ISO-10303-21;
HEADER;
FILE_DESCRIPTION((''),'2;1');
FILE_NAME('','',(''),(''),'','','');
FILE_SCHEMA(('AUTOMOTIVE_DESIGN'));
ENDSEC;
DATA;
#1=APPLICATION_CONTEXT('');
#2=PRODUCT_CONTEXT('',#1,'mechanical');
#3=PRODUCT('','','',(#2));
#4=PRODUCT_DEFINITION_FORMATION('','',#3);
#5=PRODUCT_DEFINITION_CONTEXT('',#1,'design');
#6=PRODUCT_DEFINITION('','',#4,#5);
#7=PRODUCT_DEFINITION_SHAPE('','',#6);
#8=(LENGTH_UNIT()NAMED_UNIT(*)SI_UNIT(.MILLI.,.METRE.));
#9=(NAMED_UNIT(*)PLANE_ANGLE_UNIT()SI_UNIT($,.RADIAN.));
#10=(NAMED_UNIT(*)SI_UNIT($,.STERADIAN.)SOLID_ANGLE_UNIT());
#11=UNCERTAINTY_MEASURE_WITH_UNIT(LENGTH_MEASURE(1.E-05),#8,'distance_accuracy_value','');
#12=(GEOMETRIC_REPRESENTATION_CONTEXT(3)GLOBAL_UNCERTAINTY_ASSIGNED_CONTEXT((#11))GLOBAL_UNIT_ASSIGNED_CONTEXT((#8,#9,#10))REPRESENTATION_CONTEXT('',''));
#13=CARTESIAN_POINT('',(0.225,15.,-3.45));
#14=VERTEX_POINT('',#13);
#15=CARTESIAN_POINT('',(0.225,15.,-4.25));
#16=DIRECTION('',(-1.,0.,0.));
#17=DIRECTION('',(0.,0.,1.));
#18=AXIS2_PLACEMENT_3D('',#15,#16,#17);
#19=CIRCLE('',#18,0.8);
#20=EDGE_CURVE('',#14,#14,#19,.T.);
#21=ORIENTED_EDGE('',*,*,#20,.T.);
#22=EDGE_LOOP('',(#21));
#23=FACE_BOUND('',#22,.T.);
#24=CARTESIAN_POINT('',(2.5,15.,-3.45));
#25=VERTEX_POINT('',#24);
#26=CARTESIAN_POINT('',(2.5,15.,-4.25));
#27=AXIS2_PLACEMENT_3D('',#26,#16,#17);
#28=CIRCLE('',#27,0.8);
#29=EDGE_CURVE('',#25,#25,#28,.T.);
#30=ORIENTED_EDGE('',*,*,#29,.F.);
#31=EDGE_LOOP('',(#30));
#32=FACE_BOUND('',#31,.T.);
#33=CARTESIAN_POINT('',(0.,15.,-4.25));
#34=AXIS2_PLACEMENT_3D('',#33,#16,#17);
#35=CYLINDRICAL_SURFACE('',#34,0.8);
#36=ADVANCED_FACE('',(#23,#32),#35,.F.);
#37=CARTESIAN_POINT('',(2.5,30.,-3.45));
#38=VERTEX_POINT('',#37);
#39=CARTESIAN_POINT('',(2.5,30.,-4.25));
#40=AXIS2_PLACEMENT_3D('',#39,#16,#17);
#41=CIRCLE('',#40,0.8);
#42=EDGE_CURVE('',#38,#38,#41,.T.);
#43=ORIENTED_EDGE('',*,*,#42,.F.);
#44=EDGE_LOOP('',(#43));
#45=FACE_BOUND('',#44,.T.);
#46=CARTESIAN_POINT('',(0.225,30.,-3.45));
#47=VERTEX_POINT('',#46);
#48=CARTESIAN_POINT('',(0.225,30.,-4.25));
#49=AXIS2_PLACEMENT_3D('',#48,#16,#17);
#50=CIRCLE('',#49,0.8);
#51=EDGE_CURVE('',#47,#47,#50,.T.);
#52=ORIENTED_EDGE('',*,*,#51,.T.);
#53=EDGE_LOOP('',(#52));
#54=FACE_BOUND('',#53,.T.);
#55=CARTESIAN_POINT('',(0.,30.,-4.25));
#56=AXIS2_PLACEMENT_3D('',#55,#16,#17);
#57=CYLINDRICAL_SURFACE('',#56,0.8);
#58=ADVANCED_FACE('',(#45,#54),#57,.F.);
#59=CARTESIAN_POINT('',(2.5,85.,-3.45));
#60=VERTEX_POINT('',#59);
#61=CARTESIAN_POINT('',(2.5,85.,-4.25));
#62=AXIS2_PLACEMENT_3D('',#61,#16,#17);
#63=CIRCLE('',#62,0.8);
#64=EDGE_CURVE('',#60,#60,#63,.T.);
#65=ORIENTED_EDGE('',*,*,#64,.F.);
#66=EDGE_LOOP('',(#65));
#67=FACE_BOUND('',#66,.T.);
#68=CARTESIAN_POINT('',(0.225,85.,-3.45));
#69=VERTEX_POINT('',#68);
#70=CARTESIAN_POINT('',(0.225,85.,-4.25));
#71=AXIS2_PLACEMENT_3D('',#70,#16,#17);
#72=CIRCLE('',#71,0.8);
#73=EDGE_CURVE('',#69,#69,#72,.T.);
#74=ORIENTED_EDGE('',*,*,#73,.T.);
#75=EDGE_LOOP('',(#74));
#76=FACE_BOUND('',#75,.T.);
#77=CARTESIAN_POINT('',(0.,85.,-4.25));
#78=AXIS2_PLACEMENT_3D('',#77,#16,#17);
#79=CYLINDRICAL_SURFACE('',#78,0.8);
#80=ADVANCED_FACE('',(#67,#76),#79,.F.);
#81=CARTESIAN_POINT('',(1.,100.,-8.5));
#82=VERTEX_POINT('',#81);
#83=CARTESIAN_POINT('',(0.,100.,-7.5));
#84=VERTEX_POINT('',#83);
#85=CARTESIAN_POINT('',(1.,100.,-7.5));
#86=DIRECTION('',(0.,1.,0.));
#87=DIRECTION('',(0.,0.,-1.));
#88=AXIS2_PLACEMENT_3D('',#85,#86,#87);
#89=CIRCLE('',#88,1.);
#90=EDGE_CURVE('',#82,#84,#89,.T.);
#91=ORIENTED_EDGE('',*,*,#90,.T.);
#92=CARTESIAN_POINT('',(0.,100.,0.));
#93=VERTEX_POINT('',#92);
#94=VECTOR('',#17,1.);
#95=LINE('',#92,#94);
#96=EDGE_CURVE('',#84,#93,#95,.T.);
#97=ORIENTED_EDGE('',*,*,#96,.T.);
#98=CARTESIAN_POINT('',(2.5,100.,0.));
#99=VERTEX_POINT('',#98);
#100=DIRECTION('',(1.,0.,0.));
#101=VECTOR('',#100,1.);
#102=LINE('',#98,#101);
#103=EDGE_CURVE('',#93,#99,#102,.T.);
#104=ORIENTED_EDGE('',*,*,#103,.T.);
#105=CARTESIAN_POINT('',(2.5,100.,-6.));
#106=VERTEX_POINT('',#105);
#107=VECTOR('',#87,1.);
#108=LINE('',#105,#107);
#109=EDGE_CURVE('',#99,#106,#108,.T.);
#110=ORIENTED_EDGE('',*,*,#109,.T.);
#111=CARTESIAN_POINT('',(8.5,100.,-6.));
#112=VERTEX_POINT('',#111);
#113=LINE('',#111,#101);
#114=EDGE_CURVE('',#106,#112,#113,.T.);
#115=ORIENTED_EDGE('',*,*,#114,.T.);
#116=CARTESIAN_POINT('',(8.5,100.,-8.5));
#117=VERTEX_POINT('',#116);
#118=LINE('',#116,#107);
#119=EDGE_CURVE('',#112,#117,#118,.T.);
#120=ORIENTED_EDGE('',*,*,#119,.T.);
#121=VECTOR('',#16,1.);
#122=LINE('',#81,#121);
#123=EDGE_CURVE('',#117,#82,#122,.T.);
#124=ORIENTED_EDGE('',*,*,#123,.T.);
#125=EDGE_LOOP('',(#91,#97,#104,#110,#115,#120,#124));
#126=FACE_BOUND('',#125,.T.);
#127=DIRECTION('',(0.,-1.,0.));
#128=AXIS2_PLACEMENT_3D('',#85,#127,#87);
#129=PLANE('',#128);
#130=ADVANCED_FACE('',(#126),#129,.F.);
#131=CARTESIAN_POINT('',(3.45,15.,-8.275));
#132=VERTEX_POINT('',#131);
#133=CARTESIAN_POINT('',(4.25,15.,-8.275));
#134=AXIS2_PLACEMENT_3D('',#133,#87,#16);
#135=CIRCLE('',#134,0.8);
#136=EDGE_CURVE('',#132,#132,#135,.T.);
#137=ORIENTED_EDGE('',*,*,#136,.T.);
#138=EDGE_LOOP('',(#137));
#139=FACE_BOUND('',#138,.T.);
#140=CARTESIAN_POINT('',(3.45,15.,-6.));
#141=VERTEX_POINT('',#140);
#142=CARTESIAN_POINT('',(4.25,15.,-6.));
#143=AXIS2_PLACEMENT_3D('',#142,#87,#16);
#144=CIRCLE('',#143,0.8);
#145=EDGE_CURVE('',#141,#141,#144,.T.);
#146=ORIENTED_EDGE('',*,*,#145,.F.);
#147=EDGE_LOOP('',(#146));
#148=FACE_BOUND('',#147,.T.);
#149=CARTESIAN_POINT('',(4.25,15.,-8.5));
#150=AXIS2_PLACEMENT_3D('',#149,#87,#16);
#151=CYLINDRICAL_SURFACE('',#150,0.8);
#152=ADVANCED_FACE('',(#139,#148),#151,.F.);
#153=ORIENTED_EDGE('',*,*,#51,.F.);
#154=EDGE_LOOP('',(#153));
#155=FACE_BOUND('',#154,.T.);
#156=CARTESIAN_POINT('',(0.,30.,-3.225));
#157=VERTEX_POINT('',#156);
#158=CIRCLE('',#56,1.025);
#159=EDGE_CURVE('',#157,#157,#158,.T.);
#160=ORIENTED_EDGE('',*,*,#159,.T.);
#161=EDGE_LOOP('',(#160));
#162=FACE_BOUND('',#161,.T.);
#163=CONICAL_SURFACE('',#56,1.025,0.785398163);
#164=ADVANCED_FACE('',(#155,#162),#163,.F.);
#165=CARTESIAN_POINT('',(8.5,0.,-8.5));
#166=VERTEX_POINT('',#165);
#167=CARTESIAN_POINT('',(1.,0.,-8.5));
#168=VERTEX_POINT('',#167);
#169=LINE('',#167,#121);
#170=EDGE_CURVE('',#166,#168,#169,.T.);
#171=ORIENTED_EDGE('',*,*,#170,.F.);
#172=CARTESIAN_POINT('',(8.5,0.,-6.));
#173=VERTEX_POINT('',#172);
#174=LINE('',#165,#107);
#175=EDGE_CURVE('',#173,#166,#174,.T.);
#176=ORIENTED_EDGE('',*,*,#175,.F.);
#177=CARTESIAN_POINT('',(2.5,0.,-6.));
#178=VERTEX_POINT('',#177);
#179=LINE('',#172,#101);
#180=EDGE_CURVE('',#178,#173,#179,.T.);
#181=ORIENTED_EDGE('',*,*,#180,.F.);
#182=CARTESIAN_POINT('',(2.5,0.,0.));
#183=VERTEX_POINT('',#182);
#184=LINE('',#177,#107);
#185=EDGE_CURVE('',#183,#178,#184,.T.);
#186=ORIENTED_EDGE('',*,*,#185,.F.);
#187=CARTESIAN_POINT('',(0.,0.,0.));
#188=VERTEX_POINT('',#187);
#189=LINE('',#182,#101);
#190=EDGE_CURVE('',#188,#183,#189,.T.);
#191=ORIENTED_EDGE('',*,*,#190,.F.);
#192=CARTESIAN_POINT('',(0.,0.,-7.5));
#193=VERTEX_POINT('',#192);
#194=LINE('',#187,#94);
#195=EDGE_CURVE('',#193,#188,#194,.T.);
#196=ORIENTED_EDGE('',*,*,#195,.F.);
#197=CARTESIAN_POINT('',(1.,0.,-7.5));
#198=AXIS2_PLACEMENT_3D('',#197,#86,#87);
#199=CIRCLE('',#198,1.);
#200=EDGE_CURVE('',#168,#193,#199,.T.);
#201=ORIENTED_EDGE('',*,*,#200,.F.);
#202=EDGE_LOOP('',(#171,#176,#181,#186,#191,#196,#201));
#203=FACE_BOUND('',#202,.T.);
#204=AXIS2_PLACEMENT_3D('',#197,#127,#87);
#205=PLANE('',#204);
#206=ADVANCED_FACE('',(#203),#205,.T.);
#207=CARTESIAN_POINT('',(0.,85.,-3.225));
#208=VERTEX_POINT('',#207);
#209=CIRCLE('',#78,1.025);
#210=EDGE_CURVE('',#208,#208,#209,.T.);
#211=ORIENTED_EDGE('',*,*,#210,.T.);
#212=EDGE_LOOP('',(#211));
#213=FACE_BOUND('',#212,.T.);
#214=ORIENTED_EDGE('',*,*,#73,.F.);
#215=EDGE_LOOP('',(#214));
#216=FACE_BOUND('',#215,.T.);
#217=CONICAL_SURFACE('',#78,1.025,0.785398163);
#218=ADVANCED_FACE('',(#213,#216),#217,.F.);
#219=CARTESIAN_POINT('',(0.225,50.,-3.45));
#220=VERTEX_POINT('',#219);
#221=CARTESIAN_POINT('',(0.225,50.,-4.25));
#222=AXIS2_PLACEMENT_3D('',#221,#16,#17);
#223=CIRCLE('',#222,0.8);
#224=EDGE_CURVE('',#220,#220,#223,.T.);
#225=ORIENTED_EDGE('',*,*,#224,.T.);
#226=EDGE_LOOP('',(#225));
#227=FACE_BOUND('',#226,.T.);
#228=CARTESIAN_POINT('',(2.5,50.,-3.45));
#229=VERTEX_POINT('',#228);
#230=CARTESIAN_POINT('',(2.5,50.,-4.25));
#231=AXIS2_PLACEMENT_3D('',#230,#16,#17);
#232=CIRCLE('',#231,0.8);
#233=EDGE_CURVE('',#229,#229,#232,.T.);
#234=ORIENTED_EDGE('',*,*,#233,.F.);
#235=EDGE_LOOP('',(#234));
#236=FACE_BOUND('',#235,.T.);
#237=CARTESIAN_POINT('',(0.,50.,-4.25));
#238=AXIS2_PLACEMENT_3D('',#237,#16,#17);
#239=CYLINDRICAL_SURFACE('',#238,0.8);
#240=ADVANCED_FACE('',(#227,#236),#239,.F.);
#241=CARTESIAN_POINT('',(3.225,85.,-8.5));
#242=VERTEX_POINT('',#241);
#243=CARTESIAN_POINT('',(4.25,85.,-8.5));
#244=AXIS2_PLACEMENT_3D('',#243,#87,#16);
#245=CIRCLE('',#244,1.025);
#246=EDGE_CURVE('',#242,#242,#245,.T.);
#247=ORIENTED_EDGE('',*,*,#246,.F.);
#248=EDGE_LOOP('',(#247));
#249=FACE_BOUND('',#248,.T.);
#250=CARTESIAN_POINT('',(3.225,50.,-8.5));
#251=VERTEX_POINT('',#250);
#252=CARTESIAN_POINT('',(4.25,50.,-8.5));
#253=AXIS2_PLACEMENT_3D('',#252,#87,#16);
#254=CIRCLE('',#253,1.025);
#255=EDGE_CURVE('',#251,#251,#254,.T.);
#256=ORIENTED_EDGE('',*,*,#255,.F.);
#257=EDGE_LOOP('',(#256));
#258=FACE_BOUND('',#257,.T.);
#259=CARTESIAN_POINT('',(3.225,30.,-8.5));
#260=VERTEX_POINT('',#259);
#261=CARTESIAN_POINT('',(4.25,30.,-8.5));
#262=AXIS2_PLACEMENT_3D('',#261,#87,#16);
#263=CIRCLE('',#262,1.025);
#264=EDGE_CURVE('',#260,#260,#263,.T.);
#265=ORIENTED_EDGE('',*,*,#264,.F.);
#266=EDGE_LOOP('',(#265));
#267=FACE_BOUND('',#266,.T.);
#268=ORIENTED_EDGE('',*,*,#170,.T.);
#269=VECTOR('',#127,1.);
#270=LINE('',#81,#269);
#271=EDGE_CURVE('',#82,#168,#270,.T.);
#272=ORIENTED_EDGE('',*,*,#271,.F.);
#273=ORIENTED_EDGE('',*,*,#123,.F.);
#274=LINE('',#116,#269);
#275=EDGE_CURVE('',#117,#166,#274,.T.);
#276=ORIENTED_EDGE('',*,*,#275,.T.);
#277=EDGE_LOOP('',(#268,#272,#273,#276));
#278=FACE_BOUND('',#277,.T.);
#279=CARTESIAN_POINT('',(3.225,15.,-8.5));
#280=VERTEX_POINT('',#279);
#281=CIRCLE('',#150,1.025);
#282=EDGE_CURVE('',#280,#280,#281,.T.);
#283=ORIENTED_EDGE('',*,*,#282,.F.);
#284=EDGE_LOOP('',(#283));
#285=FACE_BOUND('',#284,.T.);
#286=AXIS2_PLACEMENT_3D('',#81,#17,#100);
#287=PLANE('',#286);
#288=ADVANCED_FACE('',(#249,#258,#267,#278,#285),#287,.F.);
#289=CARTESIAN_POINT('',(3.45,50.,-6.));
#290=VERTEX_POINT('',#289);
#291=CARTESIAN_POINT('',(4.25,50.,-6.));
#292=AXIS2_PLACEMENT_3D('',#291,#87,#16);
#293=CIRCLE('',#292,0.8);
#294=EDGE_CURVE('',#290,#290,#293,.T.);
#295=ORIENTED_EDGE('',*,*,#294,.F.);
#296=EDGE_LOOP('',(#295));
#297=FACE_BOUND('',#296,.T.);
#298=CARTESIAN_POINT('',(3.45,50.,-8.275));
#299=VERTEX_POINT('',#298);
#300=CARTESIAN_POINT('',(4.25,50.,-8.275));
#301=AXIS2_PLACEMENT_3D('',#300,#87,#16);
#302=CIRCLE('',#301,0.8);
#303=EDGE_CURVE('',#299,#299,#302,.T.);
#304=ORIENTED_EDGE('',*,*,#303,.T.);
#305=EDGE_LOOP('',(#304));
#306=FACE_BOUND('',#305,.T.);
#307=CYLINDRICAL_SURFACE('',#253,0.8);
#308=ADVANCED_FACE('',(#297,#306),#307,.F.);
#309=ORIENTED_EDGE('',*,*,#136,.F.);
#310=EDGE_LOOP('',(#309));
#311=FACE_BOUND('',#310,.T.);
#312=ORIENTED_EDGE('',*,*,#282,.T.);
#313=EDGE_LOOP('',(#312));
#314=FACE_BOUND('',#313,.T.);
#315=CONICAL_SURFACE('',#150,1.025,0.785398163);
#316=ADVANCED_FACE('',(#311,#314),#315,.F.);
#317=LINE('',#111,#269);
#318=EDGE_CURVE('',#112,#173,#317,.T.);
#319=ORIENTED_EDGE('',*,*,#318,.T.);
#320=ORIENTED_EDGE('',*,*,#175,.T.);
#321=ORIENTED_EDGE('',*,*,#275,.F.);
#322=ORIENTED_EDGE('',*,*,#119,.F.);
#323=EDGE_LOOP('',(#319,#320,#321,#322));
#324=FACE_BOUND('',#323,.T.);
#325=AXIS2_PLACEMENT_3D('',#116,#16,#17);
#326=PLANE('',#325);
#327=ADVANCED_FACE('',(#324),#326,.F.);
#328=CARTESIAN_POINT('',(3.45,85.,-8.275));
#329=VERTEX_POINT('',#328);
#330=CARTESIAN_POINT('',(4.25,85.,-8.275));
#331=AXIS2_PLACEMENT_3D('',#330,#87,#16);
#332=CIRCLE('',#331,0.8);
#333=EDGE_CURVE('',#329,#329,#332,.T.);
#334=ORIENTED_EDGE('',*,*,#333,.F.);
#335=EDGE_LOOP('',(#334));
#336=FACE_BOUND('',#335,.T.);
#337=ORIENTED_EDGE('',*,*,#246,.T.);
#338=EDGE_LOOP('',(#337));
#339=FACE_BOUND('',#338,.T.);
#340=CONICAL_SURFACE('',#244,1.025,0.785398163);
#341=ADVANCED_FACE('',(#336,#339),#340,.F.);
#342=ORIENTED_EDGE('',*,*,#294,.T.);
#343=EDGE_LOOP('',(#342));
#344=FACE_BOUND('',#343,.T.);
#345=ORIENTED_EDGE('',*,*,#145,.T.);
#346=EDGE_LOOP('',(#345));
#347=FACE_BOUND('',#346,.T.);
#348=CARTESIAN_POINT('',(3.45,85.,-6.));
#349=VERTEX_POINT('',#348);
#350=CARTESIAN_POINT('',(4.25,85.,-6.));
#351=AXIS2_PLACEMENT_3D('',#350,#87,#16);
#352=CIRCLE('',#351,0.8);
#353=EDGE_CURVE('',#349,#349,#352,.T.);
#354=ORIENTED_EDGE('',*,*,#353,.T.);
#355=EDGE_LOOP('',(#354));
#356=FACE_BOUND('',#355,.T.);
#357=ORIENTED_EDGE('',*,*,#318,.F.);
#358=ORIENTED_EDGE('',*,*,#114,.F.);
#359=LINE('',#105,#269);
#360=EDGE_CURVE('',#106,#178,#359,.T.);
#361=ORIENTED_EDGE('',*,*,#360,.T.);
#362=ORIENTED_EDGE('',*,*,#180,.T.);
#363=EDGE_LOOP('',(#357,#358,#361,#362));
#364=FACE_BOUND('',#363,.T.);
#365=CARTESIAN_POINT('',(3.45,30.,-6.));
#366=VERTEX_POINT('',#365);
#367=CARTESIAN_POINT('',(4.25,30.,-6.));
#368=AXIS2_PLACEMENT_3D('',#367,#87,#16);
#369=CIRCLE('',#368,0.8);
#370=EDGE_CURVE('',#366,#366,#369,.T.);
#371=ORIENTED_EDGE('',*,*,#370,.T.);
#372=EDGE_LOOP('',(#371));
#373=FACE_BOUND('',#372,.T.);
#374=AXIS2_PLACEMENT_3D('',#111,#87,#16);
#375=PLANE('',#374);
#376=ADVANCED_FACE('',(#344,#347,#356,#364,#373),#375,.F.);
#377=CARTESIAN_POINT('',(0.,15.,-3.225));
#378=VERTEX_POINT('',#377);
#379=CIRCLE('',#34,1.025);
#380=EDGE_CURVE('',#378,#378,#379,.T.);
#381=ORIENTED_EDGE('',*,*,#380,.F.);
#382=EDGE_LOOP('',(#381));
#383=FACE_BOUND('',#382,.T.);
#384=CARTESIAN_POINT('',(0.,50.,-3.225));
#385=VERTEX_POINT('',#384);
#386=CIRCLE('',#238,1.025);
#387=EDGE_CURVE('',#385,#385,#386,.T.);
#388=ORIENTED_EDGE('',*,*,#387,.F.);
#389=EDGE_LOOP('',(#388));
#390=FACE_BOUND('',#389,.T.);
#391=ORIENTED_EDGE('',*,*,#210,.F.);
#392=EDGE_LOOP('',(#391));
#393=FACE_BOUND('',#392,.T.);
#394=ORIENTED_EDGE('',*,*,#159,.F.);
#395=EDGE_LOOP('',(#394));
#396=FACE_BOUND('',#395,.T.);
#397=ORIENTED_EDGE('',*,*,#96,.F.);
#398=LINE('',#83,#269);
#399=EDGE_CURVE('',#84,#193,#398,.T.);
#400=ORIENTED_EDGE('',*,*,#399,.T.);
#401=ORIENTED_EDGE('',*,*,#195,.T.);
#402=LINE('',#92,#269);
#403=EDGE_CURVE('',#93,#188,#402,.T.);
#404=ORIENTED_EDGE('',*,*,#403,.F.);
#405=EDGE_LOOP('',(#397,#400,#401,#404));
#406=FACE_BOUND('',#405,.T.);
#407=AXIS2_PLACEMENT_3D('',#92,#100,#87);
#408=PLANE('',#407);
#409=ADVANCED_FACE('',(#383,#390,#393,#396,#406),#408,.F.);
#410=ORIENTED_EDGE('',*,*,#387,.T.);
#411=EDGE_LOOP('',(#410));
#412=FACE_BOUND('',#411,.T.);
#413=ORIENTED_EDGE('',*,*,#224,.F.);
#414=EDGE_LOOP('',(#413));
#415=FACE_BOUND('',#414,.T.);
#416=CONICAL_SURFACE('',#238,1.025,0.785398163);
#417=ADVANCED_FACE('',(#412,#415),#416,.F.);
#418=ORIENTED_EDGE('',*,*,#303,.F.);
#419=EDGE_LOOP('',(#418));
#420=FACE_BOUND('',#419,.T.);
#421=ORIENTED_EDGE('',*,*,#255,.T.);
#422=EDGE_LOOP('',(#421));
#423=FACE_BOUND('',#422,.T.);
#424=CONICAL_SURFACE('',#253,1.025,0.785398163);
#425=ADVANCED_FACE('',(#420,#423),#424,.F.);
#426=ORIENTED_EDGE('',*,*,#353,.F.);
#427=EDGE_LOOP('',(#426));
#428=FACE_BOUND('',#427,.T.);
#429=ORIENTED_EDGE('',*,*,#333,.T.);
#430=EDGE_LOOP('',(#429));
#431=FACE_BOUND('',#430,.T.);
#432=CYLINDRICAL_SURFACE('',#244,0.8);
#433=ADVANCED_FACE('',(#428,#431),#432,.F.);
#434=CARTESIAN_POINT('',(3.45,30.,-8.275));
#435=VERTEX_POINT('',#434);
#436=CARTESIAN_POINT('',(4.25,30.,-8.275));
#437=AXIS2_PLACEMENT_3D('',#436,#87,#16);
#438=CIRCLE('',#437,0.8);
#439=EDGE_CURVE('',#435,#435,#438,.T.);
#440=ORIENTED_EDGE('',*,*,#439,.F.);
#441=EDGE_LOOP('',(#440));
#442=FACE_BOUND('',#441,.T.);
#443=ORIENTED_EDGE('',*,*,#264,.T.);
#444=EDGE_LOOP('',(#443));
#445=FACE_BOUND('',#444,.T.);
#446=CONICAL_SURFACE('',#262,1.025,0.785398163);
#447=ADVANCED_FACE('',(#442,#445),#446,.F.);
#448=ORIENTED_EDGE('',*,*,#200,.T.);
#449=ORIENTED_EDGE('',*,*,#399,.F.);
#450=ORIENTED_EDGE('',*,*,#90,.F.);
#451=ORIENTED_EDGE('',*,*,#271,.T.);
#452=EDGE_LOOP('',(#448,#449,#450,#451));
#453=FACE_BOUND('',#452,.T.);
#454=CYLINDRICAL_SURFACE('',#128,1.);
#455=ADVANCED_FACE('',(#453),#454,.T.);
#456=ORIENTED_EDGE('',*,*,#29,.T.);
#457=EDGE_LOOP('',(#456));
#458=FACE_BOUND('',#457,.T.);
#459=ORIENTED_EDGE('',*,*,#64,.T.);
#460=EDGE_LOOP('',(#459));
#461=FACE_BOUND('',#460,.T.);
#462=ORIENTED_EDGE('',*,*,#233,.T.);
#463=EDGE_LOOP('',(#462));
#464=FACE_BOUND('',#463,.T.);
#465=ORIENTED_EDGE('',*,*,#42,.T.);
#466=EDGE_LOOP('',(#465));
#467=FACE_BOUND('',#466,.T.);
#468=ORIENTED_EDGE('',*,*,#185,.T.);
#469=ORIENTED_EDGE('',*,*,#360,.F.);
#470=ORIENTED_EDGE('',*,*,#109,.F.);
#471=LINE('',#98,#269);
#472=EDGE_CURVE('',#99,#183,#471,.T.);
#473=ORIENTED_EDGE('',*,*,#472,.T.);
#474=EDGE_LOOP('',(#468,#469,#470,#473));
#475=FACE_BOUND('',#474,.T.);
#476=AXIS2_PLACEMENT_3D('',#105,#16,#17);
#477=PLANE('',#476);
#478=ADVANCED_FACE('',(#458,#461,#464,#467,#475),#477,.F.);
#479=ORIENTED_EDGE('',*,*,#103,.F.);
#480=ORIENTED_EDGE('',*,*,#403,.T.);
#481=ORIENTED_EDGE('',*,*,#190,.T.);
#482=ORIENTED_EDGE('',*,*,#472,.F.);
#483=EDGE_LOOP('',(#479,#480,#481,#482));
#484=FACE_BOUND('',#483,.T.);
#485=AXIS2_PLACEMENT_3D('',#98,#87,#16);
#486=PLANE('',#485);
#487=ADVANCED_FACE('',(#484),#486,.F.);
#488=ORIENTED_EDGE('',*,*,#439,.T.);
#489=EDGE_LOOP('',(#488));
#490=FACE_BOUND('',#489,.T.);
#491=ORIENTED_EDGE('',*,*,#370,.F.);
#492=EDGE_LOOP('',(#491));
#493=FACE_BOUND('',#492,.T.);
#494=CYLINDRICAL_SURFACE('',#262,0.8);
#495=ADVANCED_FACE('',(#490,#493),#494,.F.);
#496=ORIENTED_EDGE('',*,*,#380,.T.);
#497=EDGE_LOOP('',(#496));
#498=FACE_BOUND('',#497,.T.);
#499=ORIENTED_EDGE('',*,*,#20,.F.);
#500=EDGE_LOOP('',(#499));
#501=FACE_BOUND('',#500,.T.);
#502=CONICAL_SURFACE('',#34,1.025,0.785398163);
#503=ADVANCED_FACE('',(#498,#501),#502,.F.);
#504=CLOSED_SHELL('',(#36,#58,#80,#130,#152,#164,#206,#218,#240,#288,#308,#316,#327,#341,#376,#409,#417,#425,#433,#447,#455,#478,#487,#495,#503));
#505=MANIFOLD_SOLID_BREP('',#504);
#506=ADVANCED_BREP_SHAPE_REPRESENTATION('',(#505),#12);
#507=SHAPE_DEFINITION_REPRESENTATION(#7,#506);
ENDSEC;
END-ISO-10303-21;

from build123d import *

# Parameters (mm, degrees)
BOSS_EXTRUDE1_DEPTH             = 100
M2X0_4_TAPPED_HOLE2_D           = 1.6
M2X0_4_TAPPED_HOLE2_CSINK_D     = 2.05
M2X0_4_TAPPED_HOLE2_CSINK_ANGLE = 90
LPATTERN1_COUNT                 = 3
LPATTERN1_PITCH                 = 35
M2X0_4_TAPPED_HOLE3_D           = 1.6
M2X0_4_TAPPED_HOLE3_CSINK_D     = 2.05
M2X0_4_TAPPED_HOLE3_CSINK_ANGLE = 90
LPATTERN2_COUNT                 = 3
LPATTERN2_PITCH                 = 35
M2X0_4_TAPPED_HOLE4_D           = 1.6
M2X0_4_TAPPED_HOLE4_CSINK_D     = 2.05
M2X0_4_TAPPED_HOLE4_CSINK_ANGLE = 90
M2X0_4_TAPPED_HOLE5_D           = 1.6
M2X0_4_TAPPED_HOLE5_CSINK_D     = 2.05
M2X0_4_TAPPED_HOLE5_CSINK_ANGLE = 90


with BuildPart() as part:
    # Sketch2 → Boss-Extrude1 (new body)
    with BuildSketch(Plane(origin=(0, 0, 0), x_dir=(1, 0, 0), z_dir=(0, 1, 0))):
        with BuildLine():
            Line((0, 0), (0, 7.5))
            ThreePointArc((0, 7.5), (0.292893219, 8.207106781), (1, 8.5))
            Line((1, 8.5), (8.5, 8.5))
            Line((8.5, 8.5), (8.5, 6))
            Line((8.5, 6), (2.5, 6))
            Line((2.5, 6), (2.5, 0))
            Line((2.5, 0), (0, 0))
        make_face()
    extrude(amount=BOSS_EXTRUDE1_DEPTH)

    # M2x0.4 Tapped Hole2 (through all)
    with Locations(Plane(origin=(0, 0, -8.5), x_dir=(-1, 0, 0), z_dir=(0, 0, -1))):
        with Locations((-4.25, 15)):
            m2x0_4_tapped_hole2 = CounterSinkHole(M2X0_4_TAPPED_HOLE2_D / 2, M2X0_4_TAPPED_HOLE2_CSINK_D / 2, counter_sink_angle=M2X0_4_TAPPED_HOLE2_CSINK_ANGLE)

    # LPattern1: M2x0.4 Tapped Hole2 ×3
    with Locations(*[(0, i * LPATTERN1_PITCH, 0) for i in range(1, LPATTERN1_COUNT)]):
        add(m2x0_4_tapped_hole2, mode=Mode.SUBTRACT)

    # M2x0.4 Tapped Hole3 (through all)
    with Locations(Plane.ZY):
        with Locations((-4.25, 15)):
            m2x0_4_tapped_hole3 = CounterSinkHole(M2X0_4_TAPPED_HOLE3_D / 2, M2X0_4_TAPPED_HOLE3_CSINK_D / 2, counter_sink_angle=M2X0_4_TAPPED_HOLE3_CSINK_ANGLE)

    # LPattern2: M2x0.4 Tapped Hole3 ×3
    with Locations(*[(0, i * LPATTERN2_PITCH, 0) for i in range(1, LPATTERN2_COUNT)]):
        add(m2x0_4_tapped_hole3, mode=Mode.SUBTRACT)

    # M2x0.4 Tapped Hole4 (through all)
    with Locations(Plane(origin=(0, 0, -8.5), x_dir=(-1, 0, 0), z_dir=(0, 0, -1))):
        with Locations((-4.25, 30)):
            CounterSinkHole(M2X0_4_TAPPED_HOLE4_D / 2, M2X0_4_TAPPED_HOLE4_CSINK_D / 2, counter_sink_angle=M2X0_4_TAPPED_HOLE4_CSINK_ANGLE)

    # M2x0.4 Tapped Hole5 (through all)
    with Locations(Plane.ZY):
        with Locations((-4.25, 30)):
            CounterSinkHole(M2X0_4_TAPPED_HOLE5_D / 2, M2X0_4_TAPPED_HOLE5_CSINK_D / 2, counter_sink_angle=M2X0_4_TAPPED_HOLE5_CSINK_ANGLE)


solid = part.part
